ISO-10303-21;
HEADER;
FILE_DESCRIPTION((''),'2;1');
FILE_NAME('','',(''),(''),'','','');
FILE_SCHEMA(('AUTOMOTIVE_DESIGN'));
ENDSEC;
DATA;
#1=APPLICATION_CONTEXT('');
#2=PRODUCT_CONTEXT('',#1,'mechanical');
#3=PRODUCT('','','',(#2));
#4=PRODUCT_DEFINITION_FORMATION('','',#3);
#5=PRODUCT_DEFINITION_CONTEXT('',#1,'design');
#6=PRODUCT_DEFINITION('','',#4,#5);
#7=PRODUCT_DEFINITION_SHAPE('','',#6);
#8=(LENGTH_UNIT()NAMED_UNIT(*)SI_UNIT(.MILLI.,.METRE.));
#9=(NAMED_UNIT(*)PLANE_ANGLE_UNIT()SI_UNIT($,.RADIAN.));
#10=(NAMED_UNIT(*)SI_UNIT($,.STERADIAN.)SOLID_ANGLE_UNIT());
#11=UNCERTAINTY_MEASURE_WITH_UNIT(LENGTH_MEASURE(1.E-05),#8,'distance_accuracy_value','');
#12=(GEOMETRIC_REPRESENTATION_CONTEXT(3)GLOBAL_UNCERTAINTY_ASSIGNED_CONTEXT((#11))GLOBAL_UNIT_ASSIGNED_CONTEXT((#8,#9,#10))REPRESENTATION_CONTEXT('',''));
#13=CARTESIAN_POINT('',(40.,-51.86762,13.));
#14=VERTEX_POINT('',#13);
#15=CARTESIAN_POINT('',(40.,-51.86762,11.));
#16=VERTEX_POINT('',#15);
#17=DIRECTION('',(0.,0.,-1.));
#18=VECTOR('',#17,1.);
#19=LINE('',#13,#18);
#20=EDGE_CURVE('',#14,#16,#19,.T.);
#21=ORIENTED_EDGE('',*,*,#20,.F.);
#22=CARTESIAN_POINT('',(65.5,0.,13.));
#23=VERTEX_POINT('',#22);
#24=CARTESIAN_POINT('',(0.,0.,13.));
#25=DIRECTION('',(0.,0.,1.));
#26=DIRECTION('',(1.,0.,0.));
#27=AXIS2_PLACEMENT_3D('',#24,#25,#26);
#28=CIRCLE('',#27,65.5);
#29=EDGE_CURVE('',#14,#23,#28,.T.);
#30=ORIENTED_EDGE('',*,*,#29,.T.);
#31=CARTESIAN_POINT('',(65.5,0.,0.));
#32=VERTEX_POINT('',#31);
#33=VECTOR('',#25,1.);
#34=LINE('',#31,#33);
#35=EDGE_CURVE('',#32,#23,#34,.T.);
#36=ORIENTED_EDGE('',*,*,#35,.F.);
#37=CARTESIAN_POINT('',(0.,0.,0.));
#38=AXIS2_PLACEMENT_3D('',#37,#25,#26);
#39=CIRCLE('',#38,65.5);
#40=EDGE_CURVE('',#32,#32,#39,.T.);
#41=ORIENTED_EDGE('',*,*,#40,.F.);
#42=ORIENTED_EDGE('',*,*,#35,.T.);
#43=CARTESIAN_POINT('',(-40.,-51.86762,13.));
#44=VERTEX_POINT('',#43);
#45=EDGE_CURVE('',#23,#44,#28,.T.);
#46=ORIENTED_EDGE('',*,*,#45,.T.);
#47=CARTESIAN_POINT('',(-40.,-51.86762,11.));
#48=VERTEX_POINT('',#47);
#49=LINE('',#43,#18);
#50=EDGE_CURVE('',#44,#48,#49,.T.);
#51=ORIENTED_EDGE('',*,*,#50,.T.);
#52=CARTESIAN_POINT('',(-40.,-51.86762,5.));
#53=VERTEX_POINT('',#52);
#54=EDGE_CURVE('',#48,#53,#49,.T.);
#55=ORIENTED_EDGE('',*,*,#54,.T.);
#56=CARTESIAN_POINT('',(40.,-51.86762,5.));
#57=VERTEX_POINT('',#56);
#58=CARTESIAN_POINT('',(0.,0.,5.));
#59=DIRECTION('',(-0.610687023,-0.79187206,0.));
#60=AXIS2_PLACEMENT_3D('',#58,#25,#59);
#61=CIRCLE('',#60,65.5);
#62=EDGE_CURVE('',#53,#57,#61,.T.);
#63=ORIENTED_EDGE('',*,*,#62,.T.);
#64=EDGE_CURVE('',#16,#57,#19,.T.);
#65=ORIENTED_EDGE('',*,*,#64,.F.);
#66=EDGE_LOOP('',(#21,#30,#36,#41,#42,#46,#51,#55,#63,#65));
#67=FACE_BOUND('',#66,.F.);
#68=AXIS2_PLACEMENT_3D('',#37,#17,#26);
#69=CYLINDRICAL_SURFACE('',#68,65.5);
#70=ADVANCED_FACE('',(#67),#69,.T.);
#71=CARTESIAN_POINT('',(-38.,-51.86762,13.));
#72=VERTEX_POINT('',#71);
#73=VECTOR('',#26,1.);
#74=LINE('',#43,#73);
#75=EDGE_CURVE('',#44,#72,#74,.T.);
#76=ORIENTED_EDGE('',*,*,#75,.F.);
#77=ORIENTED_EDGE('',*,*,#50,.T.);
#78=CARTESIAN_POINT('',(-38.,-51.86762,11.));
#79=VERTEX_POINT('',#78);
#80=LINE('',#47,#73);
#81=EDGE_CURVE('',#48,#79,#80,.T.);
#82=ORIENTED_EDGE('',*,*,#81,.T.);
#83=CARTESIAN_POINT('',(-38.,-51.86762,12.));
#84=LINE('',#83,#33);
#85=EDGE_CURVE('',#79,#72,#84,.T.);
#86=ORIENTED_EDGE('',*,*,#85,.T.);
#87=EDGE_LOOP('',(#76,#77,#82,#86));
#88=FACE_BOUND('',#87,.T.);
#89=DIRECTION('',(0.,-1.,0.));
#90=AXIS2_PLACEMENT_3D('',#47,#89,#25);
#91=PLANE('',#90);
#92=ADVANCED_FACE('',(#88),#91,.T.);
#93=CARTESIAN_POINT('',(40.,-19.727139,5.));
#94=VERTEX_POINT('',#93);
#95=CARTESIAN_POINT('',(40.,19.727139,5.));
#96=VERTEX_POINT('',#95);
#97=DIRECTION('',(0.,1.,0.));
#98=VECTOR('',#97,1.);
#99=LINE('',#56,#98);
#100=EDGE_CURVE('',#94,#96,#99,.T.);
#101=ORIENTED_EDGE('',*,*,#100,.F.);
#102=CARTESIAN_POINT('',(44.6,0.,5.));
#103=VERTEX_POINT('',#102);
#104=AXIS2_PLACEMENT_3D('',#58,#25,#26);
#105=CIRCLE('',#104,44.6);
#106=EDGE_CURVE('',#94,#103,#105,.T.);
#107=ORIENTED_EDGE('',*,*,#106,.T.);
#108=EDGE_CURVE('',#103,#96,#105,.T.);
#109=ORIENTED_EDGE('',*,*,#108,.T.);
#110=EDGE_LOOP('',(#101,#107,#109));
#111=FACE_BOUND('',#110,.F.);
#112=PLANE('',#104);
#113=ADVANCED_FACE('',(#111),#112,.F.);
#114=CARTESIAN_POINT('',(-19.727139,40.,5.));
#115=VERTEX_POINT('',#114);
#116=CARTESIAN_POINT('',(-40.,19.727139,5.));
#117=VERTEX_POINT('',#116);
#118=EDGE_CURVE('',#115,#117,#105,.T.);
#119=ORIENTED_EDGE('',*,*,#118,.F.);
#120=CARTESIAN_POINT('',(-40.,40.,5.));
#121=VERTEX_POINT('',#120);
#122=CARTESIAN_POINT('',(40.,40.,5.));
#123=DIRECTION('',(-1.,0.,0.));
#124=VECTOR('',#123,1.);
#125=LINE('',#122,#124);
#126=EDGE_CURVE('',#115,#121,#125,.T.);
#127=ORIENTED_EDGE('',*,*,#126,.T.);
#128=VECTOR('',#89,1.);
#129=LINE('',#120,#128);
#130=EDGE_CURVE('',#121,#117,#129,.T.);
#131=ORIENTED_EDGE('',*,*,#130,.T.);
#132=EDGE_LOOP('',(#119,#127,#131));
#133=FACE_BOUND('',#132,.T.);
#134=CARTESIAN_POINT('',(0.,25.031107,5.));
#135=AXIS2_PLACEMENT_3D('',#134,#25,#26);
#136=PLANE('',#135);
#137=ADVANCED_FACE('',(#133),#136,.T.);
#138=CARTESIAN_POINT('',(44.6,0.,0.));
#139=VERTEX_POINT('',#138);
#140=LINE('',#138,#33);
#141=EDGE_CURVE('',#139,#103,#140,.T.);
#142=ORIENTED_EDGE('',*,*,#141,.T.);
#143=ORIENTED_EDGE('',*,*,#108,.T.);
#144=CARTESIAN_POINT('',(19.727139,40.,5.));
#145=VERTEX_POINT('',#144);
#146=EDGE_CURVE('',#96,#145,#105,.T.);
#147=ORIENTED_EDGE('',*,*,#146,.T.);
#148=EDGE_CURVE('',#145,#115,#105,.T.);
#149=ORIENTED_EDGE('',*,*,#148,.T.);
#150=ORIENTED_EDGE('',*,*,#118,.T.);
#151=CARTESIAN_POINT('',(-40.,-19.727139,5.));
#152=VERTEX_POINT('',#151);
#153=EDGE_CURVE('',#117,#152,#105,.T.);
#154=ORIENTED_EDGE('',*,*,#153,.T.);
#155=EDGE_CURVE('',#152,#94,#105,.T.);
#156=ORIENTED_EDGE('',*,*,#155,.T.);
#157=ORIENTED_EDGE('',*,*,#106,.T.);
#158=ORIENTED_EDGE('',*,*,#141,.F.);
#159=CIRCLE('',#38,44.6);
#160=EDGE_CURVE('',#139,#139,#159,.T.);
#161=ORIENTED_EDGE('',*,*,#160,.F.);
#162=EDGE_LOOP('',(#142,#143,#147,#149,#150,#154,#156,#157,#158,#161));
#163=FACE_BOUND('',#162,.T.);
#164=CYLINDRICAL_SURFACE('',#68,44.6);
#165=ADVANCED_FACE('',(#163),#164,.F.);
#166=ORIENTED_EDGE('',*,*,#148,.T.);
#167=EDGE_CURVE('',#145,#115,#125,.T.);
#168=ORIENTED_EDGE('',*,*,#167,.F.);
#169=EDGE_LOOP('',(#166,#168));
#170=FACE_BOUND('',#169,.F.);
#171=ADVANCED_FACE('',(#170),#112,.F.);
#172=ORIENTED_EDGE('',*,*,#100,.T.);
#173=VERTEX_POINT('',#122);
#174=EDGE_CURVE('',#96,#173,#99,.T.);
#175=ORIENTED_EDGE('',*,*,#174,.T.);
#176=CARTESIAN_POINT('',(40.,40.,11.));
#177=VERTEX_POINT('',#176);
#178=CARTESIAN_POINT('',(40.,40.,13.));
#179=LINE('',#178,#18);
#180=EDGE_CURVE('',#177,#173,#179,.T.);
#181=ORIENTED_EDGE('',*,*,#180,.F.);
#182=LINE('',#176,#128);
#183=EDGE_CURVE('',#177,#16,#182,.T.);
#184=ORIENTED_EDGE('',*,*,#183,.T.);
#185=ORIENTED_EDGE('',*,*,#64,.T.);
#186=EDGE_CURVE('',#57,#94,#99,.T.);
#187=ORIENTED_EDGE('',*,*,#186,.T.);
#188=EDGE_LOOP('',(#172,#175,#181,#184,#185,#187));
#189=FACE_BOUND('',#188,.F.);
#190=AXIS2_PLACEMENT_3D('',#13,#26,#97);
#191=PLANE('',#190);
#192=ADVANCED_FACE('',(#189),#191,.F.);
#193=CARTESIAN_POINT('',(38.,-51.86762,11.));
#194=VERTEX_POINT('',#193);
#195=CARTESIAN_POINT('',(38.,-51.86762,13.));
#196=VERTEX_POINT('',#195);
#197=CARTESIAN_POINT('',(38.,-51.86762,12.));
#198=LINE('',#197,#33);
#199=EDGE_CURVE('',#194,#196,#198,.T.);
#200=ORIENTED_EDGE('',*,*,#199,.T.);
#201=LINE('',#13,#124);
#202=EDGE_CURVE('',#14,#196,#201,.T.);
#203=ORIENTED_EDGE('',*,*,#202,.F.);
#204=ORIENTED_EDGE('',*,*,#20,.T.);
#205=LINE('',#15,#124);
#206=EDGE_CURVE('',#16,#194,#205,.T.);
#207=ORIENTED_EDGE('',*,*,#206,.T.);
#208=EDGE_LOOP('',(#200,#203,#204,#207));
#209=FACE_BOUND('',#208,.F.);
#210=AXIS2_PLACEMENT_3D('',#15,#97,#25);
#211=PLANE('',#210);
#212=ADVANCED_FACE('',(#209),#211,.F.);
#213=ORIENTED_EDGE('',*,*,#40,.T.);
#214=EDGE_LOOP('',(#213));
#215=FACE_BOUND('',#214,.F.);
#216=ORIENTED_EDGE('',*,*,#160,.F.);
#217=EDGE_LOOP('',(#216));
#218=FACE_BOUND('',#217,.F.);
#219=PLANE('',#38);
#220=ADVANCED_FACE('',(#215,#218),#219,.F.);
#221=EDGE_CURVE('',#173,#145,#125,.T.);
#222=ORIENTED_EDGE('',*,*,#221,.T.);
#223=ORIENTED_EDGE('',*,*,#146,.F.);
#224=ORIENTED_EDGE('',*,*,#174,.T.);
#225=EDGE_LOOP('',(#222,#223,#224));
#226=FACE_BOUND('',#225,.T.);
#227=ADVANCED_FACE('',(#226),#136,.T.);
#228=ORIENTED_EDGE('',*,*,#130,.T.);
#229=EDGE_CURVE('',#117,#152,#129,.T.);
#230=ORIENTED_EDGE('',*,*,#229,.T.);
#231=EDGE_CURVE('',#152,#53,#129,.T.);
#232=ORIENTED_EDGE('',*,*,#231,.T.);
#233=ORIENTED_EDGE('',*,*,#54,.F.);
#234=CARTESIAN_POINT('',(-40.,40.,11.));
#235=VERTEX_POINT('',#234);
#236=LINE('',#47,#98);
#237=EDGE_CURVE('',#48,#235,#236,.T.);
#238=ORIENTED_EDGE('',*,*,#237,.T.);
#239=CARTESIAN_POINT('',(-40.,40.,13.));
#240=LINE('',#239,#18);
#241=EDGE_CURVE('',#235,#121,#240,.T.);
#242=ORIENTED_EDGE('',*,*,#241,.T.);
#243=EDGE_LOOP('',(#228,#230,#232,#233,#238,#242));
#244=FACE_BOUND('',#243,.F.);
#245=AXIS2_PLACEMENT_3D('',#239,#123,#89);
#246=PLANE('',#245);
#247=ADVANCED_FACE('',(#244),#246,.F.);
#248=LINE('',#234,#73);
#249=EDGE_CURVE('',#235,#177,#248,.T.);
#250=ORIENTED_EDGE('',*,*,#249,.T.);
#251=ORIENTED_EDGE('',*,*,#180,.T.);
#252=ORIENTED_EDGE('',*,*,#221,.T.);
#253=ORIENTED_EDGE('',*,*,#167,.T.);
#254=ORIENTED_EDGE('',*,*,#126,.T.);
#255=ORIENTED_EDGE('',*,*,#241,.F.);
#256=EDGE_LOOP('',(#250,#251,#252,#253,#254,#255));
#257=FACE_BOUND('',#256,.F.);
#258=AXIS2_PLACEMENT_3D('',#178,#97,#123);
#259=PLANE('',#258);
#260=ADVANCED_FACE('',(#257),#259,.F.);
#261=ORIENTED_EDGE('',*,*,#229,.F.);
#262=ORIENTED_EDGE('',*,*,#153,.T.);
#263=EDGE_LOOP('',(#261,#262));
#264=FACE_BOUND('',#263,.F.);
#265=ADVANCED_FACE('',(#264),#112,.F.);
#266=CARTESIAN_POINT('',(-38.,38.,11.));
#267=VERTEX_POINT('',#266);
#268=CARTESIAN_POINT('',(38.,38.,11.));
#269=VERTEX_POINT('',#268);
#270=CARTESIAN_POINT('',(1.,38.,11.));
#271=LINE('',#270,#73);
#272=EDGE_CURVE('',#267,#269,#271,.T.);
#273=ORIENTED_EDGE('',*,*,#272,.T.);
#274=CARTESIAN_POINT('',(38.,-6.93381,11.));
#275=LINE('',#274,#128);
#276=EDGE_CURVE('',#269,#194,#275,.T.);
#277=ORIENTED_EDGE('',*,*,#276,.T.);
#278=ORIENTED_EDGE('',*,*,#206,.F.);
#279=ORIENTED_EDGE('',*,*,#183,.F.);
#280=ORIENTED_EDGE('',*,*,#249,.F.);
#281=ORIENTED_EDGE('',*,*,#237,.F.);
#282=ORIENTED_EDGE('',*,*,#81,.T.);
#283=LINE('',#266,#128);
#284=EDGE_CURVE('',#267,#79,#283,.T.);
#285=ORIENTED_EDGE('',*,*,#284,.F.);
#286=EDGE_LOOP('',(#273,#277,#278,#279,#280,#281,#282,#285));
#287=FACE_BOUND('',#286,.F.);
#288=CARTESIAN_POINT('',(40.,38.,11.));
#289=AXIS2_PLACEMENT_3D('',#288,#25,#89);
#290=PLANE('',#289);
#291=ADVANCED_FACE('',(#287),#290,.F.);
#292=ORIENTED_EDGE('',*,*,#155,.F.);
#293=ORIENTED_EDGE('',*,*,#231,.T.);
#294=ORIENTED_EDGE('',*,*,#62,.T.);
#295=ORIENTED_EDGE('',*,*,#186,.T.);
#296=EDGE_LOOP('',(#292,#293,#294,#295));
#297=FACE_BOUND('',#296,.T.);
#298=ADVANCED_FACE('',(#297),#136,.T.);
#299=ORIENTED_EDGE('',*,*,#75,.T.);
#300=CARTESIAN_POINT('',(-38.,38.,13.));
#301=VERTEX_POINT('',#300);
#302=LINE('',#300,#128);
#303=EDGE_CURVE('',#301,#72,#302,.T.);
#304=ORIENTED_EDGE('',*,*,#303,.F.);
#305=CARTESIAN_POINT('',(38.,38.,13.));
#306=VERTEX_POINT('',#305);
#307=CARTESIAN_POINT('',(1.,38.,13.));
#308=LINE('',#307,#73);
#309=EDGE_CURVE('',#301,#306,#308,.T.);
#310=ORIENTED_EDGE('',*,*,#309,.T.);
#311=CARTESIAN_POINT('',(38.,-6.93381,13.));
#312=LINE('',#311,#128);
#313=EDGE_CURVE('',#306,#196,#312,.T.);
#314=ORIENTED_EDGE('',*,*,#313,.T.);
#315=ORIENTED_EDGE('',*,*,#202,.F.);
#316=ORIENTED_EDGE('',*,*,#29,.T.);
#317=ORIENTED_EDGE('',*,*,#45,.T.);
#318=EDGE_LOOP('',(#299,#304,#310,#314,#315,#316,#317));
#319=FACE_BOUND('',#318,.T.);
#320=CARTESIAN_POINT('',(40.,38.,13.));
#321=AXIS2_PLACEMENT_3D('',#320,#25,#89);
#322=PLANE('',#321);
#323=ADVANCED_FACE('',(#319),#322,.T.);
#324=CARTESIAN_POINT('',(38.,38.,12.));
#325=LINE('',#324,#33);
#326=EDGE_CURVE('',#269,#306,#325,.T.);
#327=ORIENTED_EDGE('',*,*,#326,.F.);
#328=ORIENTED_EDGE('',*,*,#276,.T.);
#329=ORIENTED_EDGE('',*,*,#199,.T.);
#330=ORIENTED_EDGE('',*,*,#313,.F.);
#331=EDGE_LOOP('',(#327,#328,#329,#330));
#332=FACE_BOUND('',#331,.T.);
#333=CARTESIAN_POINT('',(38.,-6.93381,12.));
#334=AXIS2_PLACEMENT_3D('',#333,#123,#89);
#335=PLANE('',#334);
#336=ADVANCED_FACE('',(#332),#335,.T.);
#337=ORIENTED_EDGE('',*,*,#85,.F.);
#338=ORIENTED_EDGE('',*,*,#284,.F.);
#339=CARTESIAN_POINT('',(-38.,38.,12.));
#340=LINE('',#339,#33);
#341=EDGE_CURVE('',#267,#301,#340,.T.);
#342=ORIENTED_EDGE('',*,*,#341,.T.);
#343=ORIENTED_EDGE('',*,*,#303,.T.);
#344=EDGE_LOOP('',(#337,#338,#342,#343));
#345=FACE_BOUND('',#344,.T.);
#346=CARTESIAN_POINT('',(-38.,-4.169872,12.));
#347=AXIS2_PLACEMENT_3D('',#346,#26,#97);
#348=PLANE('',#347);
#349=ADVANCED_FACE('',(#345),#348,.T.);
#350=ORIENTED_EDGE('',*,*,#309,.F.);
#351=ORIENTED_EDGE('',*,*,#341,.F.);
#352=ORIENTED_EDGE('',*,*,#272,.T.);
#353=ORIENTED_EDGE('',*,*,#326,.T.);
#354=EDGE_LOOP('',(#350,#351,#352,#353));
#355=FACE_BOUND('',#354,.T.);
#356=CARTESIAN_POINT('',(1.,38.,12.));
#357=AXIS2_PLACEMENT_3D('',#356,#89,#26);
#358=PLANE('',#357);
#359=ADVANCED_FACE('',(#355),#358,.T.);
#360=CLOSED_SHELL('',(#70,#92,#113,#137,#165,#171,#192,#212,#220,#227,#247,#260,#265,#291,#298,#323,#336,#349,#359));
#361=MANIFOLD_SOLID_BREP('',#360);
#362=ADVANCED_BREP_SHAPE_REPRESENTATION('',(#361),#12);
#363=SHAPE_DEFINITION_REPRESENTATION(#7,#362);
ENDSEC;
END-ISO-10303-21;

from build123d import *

# Parameters (mm, degrees)
F0_R      = 65.5
F1_DEPTH  = 13
F2_R      = 44.6
F2_R_2    = 34.6
F3_DEPTH  = 5
F4_R      = 34.6
F5_DEPTH  = 25
F7_DEPTH  = 8
F8_W      = 88.3397431672
F8_H      = 2
F9_DEPTH  = 2
F10_W     = 78
F10_H     = 2
F11_DEPTH = 2
F12_W     = 89.867619957
F12_H     = 2
F13_DEPTH = 2
F8_W_2    = 3.5278767898
F14_DEPTH = 2


with BuildPart() as f1:
    # F0 (on Top) → F1 (new body)
    with BuildSketch(Plane.XY):
        Circle(F0_R)
    extrude(amount=F1_DEPTH)

    # F2 (on Top) → F3 (cut)
    with BuildSketch(Plane.XY):
        Circle(F2_R)
        Circle(F2_R_2, mode=Mode.SUBTRACT)
        Circle(F2_R_2)
    extrude(amount=F3_DEPTH, mode=Mode.SUBTRACT)

    # F4 (on face) → F5 (cut)
    with BuildSketch(Plane(origin=(0, 0, 0), x_dir=(1, 0, 0), z_dir=(0, 0, -1))):
        Circle(F4_R)
    extrude(amount=-F5_DEPTH, mode=Mode.SUBTRACT)

    # F6 (on face) → F7 (cut)
    with BuildSketch(Plane.XY.offset(13)):
        with BuildLine():
            ThreePointArc((-34.6, 0), (0, 34.6), (34.6, 0))
            Line((34.6, 0), (40, 0))
            Line((40, 0), (40, 40))
            Line((40, 40), (-40, 40))
            Line((-40, 40), (-40, 0))
            Line((-40, 0), (-34.6, 0))
        make_face()
        with BuildLine():
            Line((40, 0), (34.6, 0))
            ThreePointArc((34.6, 0), (0, -34.6), (-34.6, 0))
            Line((-34.6, 0), (-40, 0))
            Line((-40, 0), (-40, -51.867619957))
            ThreePointArc((-40, -51.867619957), (0, -65.5), (40, -51.867619957))
            Line((40, -51.867619957), (40, 0))
        make_face()
    extrude(amount=-F7_DEPTH, mode=Mode.SUBTRACT)

    # F8 (on face) → F9 (join)
    with BuildSketch(Plane.YZ.offset(-40)):
        with Locations((-4.1698715836, 12)):
            Rectangle(F8_W, F8_H)
    extrude(amount=F9_DEPTH)

    # F10 (on face) → F11 (join)
    with BuildSketch(Plane.XZ.offset(-40)):
        with Locations((1, 12)):
            Rectangle(F10_W, F10_H)
    extrude(amount=F11_DEPTH)

    # F12 (on face) → F13 (join)
    with BuildSketch(Plane(origin=(40, 0, 0), x_dir=(0, -1, 0), z_dir=(-1, 0, 0))):
        with Locations((6.9338099785, 12)):
            Rectangle(F12_W, F12_H)
    extrude(amount=F13_DEPTH)

    # F8 (on face) → F14 (join)
    with BuildSketch(Plane.YZ.offset(-40)):
        with Locations((-4.1698715836, 12)):
            Rectangle(F8_W, F8_H)
        with Locations((-50.1036815621, 12)):
            Rectangle(F8_W_2, F8_H)
    extrude(amount=F14_DEPTH)


solid = f1.part
